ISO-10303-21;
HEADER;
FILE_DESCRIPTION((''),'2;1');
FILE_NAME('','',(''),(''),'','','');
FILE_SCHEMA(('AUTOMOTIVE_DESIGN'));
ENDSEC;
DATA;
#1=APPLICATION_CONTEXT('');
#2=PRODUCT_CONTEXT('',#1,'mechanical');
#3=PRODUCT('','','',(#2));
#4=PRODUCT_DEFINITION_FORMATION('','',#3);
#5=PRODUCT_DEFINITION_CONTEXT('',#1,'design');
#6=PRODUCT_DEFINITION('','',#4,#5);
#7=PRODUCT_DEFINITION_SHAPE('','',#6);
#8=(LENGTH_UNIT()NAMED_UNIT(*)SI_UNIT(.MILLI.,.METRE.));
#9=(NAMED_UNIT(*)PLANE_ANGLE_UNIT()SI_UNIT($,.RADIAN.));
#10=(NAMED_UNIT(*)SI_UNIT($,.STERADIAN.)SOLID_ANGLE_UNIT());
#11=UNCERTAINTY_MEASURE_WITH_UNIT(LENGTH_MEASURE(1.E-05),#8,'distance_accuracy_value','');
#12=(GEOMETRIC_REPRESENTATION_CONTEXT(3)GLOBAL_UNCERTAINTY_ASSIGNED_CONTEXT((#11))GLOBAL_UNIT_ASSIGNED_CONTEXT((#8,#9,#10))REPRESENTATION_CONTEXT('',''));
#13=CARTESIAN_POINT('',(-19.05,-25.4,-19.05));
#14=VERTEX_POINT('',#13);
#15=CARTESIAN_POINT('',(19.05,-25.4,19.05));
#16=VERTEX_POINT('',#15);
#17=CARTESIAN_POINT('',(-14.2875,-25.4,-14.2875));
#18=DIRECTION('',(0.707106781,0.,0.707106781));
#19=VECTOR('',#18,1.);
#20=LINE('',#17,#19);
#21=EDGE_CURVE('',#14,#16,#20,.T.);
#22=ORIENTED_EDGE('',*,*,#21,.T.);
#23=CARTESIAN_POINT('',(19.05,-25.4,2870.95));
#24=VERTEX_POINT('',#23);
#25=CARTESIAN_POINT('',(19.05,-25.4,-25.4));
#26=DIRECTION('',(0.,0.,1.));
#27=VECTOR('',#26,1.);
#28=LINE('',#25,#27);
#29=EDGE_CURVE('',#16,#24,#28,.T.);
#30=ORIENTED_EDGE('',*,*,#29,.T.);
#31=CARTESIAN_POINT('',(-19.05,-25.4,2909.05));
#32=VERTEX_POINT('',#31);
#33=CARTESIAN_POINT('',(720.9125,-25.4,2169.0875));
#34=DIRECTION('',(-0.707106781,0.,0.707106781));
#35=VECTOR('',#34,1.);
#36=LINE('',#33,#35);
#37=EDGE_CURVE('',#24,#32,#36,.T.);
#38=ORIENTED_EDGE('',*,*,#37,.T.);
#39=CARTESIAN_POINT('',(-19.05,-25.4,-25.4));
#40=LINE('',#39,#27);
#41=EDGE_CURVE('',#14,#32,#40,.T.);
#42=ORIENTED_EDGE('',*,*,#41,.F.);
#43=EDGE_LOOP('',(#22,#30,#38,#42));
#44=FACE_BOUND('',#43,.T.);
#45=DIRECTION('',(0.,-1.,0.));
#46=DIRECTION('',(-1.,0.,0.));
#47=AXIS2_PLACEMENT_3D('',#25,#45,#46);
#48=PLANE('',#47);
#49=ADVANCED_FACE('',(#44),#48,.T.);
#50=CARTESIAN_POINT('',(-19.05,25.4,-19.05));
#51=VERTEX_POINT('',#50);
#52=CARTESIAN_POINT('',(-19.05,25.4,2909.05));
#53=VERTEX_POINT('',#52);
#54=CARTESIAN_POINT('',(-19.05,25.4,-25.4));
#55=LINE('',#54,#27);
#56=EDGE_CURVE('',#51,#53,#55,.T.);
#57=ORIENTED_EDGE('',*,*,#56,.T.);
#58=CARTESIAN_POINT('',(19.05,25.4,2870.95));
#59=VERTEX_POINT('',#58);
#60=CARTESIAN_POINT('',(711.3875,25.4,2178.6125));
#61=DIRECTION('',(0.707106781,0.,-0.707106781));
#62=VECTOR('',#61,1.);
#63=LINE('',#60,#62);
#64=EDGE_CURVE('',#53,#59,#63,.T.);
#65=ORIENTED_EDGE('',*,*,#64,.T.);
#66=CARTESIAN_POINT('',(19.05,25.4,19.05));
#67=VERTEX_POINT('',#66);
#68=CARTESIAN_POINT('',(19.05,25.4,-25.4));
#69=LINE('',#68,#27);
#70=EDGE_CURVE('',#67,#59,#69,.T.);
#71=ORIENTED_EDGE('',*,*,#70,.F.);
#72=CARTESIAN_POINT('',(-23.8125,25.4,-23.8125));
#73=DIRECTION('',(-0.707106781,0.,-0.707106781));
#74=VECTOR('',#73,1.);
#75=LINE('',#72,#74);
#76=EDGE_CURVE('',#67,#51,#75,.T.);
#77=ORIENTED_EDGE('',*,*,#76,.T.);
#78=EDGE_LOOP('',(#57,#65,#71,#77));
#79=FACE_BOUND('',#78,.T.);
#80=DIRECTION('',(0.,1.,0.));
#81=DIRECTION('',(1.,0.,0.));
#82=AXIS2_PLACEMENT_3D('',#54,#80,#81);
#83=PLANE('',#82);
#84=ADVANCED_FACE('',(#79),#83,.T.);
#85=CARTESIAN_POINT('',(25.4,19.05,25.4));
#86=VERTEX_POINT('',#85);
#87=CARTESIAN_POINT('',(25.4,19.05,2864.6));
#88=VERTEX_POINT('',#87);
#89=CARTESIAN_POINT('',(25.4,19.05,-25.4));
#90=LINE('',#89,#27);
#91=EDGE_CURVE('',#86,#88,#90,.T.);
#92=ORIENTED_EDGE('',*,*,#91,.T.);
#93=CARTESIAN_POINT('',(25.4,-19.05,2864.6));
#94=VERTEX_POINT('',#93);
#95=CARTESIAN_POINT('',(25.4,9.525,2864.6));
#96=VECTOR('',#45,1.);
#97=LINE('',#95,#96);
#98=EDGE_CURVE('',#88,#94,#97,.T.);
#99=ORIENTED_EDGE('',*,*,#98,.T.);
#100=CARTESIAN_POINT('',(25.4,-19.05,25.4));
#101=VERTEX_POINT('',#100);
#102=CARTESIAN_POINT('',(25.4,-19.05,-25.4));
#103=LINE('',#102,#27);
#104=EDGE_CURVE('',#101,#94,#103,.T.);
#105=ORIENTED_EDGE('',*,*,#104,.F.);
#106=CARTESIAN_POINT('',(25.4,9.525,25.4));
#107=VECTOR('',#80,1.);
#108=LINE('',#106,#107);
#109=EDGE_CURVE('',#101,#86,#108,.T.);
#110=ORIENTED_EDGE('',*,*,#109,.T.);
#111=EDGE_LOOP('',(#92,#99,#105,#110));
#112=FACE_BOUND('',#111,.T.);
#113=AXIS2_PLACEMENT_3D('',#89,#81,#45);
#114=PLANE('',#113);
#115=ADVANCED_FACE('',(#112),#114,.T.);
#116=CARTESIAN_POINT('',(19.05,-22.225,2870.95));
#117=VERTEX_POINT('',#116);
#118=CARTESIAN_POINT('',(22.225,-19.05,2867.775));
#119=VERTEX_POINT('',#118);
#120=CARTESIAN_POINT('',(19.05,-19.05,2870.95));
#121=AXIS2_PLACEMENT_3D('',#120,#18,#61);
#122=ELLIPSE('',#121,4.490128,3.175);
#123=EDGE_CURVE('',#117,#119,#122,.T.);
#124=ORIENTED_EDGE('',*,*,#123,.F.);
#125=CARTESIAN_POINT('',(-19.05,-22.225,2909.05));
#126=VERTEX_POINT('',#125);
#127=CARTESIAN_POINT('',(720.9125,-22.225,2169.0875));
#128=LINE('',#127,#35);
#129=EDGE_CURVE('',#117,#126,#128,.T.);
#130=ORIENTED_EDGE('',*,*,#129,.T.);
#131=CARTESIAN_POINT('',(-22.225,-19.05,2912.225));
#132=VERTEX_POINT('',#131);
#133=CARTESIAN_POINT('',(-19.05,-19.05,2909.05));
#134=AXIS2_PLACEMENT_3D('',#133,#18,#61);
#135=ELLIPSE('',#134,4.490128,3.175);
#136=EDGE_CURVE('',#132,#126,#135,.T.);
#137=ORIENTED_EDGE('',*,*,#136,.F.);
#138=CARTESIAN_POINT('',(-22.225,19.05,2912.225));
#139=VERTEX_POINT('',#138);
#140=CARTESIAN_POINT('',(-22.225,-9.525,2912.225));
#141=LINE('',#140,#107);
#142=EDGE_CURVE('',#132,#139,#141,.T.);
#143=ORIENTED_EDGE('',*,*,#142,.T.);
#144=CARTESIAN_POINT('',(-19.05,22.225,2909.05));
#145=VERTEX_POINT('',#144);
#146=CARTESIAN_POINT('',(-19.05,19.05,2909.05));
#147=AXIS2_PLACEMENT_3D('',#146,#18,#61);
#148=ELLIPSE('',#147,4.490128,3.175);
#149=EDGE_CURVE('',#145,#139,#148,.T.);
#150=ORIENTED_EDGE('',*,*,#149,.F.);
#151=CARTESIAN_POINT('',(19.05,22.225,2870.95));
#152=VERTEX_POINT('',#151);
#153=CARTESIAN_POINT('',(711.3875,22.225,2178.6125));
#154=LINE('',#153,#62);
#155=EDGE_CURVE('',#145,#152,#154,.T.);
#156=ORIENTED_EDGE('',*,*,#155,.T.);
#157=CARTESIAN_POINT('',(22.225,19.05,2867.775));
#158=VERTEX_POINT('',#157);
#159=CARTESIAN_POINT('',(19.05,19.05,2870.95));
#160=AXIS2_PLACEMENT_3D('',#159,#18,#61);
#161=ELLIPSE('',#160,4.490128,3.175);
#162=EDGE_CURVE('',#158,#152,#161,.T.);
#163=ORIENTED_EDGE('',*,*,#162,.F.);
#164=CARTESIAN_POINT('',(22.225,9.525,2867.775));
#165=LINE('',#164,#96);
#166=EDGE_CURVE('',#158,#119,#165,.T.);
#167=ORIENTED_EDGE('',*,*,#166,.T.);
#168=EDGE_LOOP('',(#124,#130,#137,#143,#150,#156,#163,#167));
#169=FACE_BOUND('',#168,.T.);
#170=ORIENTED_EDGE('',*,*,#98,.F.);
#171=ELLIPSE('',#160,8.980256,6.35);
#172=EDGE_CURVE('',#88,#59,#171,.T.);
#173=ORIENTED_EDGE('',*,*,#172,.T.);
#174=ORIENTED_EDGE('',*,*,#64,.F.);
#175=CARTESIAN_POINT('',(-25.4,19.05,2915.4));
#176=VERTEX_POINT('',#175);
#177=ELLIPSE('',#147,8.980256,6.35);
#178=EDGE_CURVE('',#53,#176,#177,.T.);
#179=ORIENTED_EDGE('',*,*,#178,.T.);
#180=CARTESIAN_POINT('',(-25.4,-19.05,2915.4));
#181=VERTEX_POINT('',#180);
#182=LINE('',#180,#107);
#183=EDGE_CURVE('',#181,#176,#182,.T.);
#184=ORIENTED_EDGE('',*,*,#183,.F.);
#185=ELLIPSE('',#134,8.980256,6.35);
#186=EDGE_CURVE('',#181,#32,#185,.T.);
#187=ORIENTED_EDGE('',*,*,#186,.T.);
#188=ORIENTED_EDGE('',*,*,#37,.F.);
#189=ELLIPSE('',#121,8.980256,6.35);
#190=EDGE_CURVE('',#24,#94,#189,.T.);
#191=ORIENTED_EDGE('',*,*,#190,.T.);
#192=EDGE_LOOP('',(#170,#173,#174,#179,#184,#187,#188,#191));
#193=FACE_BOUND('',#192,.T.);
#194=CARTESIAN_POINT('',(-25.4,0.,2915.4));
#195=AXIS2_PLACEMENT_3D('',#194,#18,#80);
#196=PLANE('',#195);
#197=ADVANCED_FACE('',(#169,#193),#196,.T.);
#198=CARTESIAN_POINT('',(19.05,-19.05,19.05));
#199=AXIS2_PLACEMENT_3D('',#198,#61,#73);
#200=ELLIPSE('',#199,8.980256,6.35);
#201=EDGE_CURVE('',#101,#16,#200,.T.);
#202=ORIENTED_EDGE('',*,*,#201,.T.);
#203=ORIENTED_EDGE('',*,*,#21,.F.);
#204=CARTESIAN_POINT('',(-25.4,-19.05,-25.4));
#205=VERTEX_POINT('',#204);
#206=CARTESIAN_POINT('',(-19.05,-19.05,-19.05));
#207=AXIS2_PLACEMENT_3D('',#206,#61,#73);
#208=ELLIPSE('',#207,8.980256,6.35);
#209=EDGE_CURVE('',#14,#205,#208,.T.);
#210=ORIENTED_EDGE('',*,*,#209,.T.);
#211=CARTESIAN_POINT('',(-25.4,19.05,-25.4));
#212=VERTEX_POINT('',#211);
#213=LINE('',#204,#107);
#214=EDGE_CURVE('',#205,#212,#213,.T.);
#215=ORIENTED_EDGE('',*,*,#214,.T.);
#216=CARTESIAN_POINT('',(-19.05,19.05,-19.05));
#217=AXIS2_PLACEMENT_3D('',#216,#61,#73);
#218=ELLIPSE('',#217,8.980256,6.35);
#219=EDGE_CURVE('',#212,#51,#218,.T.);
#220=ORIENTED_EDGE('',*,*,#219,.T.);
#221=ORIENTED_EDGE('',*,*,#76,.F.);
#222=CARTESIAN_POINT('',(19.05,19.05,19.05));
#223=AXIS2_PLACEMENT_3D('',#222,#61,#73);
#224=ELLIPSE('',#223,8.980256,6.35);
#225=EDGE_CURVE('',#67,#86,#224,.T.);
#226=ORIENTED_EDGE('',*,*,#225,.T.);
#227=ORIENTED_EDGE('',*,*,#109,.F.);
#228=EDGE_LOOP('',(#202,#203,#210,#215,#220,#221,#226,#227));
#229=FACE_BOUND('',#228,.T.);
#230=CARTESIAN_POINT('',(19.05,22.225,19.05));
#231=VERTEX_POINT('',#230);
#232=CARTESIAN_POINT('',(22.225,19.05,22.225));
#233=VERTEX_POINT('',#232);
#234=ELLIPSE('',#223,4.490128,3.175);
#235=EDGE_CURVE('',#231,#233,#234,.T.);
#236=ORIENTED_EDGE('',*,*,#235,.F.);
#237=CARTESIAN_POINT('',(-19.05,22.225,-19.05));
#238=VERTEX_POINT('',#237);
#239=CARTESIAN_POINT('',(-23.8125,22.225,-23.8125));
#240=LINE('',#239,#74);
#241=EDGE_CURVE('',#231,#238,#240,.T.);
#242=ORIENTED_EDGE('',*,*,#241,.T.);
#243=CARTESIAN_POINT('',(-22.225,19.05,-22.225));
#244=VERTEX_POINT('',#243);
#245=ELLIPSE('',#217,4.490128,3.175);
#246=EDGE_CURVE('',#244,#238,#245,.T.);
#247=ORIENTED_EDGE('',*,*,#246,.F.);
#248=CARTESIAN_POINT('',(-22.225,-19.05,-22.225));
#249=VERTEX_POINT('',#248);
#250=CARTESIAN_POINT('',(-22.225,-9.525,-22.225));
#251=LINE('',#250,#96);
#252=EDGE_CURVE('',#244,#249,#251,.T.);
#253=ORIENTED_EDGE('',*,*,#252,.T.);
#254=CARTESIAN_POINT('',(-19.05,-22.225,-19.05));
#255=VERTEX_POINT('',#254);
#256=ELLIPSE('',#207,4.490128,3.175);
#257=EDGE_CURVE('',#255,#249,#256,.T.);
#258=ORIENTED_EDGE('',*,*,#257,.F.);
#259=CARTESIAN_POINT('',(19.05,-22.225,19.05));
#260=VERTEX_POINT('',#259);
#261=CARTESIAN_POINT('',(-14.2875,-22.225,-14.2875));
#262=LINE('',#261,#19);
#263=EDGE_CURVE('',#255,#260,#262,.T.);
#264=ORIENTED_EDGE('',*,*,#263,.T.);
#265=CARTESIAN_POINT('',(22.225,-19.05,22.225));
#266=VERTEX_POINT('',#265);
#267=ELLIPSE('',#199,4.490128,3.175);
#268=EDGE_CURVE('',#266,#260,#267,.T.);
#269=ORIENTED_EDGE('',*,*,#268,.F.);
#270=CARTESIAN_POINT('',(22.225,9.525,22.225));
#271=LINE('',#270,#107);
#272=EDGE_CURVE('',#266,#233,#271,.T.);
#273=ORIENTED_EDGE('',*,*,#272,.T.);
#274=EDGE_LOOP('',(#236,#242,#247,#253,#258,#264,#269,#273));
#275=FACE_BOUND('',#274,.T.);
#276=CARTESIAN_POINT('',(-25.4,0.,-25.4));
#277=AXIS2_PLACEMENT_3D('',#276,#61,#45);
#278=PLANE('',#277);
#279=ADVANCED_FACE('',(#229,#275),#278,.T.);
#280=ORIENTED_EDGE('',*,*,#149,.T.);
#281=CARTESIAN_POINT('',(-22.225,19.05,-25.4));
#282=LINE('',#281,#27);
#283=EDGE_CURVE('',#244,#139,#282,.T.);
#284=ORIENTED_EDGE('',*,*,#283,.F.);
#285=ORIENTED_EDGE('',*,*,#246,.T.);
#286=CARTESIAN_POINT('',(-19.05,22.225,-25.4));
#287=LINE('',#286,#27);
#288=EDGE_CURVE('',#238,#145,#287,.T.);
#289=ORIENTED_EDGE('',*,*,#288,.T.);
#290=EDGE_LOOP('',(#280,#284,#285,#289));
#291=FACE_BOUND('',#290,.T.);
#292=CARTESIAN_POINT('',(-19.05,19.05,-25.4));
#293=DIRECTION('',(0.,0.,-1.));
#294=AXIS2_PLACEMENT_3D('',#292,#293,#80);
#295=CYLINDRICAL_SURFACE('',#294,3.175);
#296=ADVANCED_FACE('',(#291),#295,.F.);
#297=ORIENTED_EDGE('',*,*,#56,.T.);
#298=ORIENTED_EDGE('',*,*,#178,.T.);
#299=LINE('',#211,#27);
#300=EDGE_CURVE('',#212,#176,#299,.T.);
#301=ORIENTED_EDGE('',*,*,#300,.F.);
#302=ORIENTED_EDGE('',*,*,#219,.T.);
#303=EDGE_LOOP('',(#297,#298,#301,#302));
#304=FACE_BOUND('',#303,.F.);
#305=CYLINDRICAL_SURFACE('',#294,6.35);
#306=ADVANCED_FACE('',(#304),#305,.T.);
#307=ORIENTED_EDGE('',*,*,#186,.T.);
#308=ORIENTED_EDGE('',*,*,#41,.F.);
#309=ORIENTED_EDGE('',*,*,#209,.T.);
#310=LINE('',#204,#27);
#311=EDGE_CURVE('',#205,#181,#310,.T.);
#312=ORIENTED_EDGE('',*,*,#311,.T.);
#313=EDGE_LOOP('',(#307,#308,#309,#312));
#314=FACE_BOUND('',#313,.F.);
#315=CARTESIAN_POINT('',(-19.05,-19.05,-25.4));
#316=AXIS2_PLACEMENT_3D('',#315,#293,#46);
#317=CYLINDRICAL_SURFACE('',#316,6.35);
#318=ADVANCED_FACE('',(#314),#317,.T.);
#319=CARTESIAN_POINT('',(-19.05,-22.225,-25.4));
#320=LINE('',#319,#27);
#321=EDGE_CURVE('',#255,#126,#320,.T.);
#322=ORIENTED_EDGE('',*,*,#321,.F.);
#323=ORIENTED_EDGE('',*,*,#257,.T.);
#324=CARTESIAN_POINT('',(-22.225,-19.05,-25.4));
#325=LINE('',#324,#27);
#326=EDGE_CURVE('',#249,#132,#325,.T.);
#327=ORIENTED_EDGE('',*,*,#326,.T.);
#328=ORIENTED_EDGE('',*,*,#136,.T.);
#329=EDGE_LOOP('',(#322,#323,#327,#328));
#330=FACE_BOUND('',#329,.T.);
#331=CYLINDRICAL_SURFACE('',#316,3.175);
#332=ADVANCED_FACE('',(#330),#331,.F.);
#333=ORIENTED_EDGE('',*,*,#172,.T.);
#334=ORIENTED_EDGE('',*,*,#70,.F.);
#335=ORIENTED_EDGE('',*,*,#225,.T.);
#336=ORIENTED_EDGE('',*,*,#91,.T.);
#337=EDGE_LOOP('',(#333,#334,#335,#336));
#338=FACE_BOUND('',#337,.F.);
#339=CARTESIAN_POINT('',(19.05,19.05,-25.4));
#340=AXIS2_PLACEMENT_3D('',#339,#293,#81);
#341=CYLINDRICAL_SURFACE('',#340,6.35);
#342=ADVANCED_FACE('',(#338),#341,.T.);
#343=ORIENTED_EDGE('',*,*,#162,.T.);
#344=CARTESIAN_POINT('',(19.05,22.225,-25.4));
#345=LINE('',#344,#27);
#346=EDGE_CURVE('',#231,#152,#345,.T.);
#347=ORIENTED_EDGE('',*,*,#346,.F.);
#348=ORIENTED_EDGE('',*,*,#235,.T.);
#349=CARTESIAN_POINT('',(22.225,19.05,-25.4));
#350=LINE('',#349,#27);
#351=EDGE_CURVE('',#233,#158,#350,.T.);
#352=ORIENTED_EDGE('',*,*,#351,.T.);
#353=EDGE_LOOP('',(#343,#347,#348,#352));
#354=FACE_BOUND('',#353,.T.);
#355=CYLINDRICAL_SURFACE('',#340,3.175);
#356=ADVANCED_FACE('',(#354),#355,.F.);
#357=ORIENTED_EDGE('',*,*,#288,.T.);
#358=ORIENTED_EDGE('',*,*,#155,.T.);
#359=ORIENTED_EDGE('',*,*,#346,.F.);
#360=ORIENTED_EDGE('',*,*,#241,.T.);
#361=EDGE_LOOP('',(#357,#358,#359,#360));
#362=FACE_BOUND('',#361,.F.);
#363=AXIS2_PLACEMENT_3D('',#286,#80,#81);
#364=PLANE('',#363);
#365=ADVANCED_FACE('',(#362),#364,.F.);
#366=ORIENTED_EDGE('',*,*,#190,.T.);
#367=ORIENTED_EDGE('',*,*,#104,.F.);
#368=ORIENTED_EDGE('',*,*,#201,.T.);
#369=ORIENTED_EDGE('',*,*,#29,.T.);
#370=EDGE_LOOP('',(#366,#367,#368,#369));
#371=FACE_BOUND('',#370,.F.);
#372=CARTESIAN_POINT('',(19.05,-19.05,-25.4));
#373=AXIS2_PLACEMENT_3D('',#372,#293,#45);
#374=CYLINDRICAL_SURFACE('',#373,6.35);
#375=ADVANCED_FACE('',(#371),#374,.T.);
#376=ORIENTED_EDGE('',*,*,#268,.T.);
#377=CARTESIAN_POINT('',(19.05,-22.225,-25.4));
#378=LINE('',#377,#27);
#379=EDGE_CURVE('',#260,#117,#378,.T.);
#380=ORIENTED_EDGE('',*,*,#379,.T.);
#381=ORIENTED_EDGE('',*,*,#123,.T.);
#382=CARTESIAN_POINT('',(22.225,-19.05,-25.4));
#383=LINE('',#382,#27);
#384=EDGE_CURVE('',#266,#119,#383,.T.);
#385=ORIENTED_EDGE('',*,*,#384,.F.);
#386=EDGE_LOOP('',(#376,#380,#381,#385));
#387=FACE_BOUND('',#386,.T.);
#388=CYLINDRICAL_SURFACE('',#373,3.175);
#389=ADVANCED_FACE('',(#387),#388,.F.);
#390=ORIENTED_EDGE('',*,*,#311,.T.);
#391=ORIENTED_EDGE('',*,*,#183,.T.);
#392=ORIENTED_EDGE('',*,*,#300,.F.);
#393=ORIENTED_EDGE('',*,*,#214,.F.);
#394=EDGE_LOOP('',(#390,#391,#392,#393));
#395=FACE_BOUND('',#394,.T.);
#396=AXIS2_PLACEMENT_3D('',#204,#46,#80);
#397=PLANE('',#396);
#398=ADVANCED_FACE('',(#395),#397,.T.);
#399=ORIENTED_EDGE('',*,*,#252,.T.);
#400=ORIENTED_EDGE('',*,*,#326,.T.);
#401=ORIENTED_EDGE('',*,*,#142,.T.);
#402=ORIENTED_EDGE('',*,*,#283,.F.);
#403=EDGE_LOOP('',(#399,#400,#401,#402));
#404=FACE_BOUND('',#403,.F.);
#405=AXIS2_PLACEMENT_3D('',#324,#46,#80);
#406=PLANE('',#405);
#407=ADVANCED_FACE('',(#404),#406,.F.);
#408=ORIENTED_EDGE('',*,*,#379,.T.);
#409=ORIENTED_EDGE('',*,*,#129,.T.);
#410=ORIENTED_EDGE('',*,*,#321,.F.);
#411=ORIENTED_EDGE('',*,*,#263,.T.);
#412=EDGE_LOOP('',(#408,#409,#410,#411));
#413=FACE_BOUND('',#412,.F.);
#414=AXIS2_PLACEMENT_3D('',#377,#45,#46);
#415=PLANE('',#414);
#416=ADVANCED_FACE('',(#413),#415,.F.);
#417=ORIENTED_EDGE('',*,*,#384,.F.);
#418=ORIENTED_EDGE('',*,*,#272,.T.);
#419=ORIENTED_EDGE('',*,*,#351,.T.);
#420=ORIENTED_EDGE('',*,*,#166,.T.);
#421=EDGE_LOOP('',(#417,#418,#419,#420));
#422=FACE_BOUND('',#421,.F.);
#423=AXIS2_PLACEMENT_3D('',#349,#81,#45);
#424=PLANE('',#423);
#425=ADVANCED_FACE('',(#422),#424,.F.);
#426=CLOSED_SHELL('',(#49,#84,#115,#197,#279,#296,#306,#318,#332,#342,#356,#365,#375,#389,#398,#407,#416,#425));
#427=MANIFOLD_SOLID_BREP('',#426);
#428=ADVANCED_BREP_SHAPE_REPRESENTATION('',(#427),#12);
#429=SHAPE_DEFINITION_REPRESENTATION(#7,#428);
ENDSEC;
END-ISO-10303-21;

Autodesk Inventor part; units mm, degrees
ref_plane "Plano inicial" through (0, 0, -25.4) normal (0, 0, 1) x (1, 0, 0)
ref_plane "Plano final" through (0, 0, 2915.4) normal (0, 0, 1) x (1, 0, 0)
sketch "Boceto" plane through (0, 0, 0) normal (0, 0, 1) x (1, 0, 0)
  line L0 (-25.4, -19.05) -> (-25.4, 19.05)
  line L1 (-19.05, 25.4) -> (19.05, 25.4)
  line L2 (25.4, 19.05) -> (25.4, -19.05)
  line L3 (19.05, -25.4) -> (-19.05, -25.4)
  arc A0 (-25.4, -19.05) -> (-19.05, -25.4) centre (-19.05, -19.05) ccw
  arc A1 (-19.05, 25.4) -> (-25.4, 19.05) centre (-19.05, 19.05) ccw
  arc A2 (25.4, 19.05) -> (19.05, 25.4) centre (19.05, 19.05) ccw
  arc A3 (19.05, -25.4) -> (25.4, -19.05) centre (19.05, -19.05) ccw
  arc A4 (-19.05, 22.225) -> (-22.225, 19.05) centre (-19.05, 19.05) ccw
  line L4 (-19.05, 22.225) -> (19.05, 22.225)
  arc A5 (22.225, 19.05) -> (19.05, 22.225) centre (19.05, 19.05) ccw
  line L5 (22.225, 19.05) -> (22.225, -19.05)
  arc A6 (19.05, -22.225) -> (22.225, -19.05) centre (19.05, -19.05) ccw
  line L6 (19.05, -22.225) -> (-19.05, -22.225)
  arc A7 (-22.225, -19.05) -> (-19.05, -22.225) centre (-19.05, -19.05) ccw
  line L7 (-22.225, -19.05) -> (-22.225, 19.05)
  line L8 (0, 37.4012) -> (0, -37.4012) construction
  line L9 (-37.4012, 0) -> (37.4012, 0) construction
  dimension "d10" = 50.8
  dimension "d11" = 50.8
  dimension "d12" = 3.175
  dimension "d15" = 25.4
  dimension "d16" = 25.4
  dimension "d17" = 6.35
extrude "Cuerpo" add sketch "Boceto" along normal up to surface (2940.8 mm away) from surface at -25.4
sketch "Sketch3" plane through (0, 0, 0) normal (0, 0, 1) x (1, 0, 0)
  line L0 (0, 0) -> (10, 0)
ref_plane "Work Plane3" through (0, 0, 0) normal (0, -1, 0) x (1, 0, 0)
ref_plane "Plano de trabajo4" through (-25.4, 0, 2915.4) normal (0.7071, 0, 0.7071) x (0.7071, 0, -0.7071)
split "Dividir1" plane through (-25.4, 0, 2915.4) removes the side toward (0.7071, 0, 0.7071)
ref_plane "Plano de trabajo5" through (-25.4, 0, -25.4) normal (0.7071, 0, -0.7071) x (-0.7071, 0, -0.7071)
split "Dividir2" plane through (-25.4, 0, -25.4) removes the side toward (0.7071, 0, -0.7071)
sketch "Sketch4" plane through (0, 0, 0) normal (0, -1, 0) x (1, 0, 0)
  line L0 (-2, -25.4) -> (12, -25.4) projected
  line L1 (-2, 2915.4) -> (12, 2915.4) projected
  dimension "d19" = 2940.8
equation "\"d10\" = G_H"
equation "\"d11\" = G_W"
equation "\"d12\" = G_T"
equation "\"d15\" = 0.5 * d10"
equation "\"d16\" = 0.5 * d11"
equation "\"d17\" = G_IR"
equation "\"d3\" = G_L"
equation "\"G_W\" = 50.8"
equation "\"G_H\" = 50.8"
equation "\"G_T\" = 3.175"
equation "\"G_IR\" = 6.35"
equation "\"G_L\" = d19"
equation "\"G_OFFSET_START\" = 25.4"
equation "\"G_OFFSET_END\" = 25.4"
equation "\"d13\" = -G_OFFSET_START"
equation "\"d14\" = G_OFFSET_END + B_L"
equation "\"B_L\" = 2890"
properties part number "AISC - 2 x 2 x 1/8 - 115,78" material "Acero, suave"
